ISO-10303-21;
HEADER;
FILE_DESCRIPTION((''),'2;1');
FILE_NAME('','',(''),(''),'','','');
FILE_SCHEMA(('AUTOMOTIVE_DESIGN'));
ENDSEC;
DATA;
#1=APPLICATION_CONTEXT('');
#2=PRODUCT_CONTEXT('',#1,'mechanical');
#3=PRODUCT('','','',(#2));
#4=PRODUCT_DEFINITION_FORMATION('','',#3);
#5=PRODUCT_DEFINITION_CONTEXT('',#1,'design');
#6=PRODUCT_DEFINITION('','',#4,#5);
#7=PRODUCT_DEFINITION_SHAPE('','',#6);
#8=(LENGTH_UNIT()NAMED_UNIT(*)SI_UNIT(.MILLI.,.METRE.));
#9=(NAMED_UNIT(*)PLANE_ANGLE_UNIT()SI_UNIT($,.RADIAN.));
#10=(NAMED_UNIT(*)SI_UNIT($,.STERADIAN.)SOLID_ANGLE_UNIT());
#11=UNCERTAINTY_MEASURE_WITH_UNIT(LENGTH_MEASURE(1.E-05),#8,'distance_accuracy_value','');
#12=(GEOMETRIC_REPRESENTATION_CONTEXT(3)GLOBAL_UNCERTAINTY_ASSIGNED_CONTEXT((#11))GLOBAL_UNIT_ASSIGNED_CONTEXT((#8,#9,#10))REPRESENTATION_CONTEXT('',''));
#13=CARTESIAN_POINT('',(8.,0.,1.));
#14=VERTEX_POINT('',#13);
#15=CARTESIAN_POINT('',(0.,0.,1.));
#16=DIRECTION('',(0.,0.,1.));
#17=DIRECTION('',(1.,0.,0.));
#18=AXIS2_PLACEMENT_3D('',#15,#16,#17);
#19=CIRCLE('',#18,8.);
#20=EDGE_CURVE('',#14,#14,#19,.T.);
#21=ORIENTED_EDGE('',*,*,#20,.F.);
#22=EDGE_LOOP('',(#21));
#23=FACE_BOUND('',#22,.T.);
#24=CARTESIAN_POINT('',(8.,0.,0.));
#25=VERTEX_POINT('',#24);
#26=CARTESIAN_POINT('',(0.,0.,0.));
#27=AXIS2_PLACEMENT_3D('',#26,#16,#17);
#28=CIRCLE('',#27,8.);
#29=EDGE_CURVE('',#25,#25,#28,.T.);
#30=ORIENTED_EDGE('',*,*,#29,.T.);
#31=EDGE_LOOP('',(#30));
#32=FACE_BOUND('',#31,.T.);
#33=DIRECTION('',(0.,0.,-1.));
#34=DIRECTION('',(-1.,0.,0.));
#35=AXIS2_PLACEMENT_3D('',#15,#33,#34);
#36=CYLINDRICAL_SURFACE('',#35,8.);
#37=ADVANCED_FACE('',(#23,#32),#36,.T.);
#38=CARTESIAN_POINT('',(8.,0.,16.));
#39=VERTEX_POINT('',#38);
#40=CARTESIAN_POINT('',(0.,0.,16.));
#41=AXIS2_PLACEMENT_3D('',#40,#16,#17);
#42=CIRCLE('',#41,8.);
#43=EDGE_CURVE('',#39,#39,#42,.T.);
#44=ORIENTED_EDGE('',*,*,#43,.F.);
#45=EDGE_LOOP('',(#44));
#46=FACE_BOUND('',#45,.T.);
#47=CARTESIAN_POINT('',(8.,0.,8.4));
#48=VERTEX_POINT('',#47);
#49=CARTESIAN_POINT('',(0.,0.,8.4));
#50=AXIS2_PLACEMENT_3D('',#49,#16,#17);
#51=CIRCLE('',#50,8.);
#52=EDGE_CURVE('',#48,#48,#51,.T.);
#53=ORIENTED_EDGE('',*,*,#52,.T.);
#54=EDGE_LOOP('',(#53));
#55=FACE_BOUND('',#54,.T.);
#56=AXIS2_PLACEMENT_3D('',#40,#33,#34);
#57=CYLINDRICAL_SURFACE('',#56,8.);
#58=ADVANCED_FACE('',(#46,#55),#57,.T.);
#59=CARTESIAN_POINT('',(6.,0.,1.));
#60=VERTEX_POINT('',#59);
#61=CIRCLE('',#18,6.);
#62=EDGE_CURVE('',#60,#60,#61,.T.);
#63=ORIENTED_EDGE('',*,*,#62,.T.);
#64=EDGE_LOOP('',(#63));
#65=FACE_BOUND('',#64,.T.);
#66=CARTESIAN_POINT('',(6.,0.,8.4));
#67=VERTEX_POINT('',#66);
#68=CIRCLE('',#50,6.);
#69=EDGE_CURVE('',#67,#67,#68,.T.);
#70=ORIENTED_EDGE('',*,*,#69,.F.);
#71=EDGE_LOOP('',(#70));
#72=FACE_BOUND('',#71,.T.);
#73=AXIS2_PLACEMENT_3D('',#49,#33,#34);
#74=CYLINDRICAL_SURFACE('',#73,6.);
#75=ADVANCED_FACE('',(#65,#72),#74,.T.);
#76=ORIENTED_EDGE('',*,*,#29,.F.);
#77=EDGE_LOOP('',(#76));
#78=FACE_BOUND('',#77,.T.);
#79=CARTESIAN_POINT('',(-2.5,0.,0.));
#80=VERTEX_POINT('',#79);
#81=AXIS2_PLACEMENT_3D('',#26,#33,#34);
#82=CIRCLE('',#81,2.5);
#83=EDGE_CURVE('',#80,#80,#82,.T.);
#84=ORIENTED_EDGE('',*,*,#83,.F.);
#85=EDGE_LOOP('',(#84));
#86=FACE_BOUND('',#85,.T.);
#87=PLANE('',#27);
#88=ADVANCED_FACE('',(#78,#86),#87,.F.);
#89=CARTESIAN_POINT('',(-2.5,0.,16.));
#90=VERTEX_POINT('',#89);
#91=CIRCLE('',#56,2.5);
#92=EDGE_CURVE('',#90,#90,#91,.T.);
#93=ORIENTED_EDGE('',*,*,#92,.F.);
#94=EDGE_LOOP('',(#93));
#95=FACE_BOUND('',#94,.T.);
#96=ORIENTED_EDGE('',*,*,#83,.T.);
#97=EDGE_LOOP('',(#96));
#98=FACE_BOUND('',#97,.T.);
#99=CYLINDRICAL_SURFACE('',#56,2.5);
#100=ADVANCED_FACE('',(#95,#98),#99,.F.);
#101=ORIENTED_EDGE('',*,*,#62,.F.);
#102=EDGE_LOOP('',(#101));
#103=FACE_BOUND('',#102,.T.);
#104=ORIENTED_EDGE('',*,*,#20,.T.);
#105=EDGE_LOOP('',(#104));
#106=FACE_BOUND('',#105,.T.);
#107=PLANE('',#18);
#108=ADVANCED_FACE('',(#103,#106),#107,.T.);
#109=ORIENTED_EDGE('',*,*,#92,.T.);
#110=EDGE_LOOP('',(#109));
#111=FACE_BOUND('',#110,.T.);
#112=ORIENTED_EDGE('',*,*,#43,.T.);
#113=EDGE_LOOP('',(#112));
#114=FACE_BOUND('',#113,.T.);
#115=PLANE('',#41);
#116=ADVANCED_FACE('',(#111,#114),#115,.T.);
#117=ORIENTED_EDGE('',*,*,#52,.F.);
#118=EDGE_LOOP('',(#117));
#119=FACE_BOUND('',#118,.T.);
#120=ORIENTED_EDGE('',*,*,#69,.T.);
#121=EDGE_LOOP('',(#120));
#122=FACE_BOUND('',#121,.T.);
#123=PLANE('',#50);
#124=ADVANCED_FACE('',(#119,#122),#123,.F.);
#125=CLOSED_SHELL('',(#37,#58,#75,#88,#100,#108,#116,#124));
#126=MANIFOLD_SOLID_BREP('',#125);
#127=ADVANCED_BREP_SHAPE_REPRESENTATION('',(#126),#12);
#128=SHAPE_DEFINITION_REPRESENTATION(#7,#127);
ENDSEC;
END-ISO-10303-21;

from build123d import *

# Parameters (mm, degrees)
SKETCH_1_R          = 8
EXTRUDE_1_DEPTH     = 1
SKETCH_2_R          = 6
EXTRUDE_2_DEPTH     = 7.4
SKETCH_3_R          = 8
EXTRUDE_3_DEPTH     = 7.6
SKETCH_4_R          = 2.5
CUT_EXTRUDE_1_DEPTH = 17


with BuildPart() as part:
    # 草图1 → 凸台-拉伸1 (new body)
    with BuildSketch(Plane.XY):
        Circle(SKETCH_1_R)
    extrude(amount=EXTRUDE_1_DEPTH)

    # 草图2 → 凸台-拉伸2 (add)
    with BuildSketch(Plane.XY.offset(1)):
        Circle(SKETCH_2_R)
    extrude(amount=EXTRUDE_2_DEPTH)

    # 草图3 → 凸台-拉伸3 (add)
    with BuildSketch(Plane.XY.offset(8.4)):
        Circle(SKETCH_3_R)
    extrude(amount=EXTRUDE_3_DEPTH)

    # 草图4 → 切除-拉伸1 (cut, through all)
    with BuildSketch(Plane(origin=(0, 0, 0), x_dir=(-1, 0, 0), z_dir=(0, 0, -1))):
        Circle(SKETCH_4_R)
    extrude(amount=-CUT_EXTRUDE_1_DEPTH, mode=Mode.SUBTRACT)


solid = part.part
